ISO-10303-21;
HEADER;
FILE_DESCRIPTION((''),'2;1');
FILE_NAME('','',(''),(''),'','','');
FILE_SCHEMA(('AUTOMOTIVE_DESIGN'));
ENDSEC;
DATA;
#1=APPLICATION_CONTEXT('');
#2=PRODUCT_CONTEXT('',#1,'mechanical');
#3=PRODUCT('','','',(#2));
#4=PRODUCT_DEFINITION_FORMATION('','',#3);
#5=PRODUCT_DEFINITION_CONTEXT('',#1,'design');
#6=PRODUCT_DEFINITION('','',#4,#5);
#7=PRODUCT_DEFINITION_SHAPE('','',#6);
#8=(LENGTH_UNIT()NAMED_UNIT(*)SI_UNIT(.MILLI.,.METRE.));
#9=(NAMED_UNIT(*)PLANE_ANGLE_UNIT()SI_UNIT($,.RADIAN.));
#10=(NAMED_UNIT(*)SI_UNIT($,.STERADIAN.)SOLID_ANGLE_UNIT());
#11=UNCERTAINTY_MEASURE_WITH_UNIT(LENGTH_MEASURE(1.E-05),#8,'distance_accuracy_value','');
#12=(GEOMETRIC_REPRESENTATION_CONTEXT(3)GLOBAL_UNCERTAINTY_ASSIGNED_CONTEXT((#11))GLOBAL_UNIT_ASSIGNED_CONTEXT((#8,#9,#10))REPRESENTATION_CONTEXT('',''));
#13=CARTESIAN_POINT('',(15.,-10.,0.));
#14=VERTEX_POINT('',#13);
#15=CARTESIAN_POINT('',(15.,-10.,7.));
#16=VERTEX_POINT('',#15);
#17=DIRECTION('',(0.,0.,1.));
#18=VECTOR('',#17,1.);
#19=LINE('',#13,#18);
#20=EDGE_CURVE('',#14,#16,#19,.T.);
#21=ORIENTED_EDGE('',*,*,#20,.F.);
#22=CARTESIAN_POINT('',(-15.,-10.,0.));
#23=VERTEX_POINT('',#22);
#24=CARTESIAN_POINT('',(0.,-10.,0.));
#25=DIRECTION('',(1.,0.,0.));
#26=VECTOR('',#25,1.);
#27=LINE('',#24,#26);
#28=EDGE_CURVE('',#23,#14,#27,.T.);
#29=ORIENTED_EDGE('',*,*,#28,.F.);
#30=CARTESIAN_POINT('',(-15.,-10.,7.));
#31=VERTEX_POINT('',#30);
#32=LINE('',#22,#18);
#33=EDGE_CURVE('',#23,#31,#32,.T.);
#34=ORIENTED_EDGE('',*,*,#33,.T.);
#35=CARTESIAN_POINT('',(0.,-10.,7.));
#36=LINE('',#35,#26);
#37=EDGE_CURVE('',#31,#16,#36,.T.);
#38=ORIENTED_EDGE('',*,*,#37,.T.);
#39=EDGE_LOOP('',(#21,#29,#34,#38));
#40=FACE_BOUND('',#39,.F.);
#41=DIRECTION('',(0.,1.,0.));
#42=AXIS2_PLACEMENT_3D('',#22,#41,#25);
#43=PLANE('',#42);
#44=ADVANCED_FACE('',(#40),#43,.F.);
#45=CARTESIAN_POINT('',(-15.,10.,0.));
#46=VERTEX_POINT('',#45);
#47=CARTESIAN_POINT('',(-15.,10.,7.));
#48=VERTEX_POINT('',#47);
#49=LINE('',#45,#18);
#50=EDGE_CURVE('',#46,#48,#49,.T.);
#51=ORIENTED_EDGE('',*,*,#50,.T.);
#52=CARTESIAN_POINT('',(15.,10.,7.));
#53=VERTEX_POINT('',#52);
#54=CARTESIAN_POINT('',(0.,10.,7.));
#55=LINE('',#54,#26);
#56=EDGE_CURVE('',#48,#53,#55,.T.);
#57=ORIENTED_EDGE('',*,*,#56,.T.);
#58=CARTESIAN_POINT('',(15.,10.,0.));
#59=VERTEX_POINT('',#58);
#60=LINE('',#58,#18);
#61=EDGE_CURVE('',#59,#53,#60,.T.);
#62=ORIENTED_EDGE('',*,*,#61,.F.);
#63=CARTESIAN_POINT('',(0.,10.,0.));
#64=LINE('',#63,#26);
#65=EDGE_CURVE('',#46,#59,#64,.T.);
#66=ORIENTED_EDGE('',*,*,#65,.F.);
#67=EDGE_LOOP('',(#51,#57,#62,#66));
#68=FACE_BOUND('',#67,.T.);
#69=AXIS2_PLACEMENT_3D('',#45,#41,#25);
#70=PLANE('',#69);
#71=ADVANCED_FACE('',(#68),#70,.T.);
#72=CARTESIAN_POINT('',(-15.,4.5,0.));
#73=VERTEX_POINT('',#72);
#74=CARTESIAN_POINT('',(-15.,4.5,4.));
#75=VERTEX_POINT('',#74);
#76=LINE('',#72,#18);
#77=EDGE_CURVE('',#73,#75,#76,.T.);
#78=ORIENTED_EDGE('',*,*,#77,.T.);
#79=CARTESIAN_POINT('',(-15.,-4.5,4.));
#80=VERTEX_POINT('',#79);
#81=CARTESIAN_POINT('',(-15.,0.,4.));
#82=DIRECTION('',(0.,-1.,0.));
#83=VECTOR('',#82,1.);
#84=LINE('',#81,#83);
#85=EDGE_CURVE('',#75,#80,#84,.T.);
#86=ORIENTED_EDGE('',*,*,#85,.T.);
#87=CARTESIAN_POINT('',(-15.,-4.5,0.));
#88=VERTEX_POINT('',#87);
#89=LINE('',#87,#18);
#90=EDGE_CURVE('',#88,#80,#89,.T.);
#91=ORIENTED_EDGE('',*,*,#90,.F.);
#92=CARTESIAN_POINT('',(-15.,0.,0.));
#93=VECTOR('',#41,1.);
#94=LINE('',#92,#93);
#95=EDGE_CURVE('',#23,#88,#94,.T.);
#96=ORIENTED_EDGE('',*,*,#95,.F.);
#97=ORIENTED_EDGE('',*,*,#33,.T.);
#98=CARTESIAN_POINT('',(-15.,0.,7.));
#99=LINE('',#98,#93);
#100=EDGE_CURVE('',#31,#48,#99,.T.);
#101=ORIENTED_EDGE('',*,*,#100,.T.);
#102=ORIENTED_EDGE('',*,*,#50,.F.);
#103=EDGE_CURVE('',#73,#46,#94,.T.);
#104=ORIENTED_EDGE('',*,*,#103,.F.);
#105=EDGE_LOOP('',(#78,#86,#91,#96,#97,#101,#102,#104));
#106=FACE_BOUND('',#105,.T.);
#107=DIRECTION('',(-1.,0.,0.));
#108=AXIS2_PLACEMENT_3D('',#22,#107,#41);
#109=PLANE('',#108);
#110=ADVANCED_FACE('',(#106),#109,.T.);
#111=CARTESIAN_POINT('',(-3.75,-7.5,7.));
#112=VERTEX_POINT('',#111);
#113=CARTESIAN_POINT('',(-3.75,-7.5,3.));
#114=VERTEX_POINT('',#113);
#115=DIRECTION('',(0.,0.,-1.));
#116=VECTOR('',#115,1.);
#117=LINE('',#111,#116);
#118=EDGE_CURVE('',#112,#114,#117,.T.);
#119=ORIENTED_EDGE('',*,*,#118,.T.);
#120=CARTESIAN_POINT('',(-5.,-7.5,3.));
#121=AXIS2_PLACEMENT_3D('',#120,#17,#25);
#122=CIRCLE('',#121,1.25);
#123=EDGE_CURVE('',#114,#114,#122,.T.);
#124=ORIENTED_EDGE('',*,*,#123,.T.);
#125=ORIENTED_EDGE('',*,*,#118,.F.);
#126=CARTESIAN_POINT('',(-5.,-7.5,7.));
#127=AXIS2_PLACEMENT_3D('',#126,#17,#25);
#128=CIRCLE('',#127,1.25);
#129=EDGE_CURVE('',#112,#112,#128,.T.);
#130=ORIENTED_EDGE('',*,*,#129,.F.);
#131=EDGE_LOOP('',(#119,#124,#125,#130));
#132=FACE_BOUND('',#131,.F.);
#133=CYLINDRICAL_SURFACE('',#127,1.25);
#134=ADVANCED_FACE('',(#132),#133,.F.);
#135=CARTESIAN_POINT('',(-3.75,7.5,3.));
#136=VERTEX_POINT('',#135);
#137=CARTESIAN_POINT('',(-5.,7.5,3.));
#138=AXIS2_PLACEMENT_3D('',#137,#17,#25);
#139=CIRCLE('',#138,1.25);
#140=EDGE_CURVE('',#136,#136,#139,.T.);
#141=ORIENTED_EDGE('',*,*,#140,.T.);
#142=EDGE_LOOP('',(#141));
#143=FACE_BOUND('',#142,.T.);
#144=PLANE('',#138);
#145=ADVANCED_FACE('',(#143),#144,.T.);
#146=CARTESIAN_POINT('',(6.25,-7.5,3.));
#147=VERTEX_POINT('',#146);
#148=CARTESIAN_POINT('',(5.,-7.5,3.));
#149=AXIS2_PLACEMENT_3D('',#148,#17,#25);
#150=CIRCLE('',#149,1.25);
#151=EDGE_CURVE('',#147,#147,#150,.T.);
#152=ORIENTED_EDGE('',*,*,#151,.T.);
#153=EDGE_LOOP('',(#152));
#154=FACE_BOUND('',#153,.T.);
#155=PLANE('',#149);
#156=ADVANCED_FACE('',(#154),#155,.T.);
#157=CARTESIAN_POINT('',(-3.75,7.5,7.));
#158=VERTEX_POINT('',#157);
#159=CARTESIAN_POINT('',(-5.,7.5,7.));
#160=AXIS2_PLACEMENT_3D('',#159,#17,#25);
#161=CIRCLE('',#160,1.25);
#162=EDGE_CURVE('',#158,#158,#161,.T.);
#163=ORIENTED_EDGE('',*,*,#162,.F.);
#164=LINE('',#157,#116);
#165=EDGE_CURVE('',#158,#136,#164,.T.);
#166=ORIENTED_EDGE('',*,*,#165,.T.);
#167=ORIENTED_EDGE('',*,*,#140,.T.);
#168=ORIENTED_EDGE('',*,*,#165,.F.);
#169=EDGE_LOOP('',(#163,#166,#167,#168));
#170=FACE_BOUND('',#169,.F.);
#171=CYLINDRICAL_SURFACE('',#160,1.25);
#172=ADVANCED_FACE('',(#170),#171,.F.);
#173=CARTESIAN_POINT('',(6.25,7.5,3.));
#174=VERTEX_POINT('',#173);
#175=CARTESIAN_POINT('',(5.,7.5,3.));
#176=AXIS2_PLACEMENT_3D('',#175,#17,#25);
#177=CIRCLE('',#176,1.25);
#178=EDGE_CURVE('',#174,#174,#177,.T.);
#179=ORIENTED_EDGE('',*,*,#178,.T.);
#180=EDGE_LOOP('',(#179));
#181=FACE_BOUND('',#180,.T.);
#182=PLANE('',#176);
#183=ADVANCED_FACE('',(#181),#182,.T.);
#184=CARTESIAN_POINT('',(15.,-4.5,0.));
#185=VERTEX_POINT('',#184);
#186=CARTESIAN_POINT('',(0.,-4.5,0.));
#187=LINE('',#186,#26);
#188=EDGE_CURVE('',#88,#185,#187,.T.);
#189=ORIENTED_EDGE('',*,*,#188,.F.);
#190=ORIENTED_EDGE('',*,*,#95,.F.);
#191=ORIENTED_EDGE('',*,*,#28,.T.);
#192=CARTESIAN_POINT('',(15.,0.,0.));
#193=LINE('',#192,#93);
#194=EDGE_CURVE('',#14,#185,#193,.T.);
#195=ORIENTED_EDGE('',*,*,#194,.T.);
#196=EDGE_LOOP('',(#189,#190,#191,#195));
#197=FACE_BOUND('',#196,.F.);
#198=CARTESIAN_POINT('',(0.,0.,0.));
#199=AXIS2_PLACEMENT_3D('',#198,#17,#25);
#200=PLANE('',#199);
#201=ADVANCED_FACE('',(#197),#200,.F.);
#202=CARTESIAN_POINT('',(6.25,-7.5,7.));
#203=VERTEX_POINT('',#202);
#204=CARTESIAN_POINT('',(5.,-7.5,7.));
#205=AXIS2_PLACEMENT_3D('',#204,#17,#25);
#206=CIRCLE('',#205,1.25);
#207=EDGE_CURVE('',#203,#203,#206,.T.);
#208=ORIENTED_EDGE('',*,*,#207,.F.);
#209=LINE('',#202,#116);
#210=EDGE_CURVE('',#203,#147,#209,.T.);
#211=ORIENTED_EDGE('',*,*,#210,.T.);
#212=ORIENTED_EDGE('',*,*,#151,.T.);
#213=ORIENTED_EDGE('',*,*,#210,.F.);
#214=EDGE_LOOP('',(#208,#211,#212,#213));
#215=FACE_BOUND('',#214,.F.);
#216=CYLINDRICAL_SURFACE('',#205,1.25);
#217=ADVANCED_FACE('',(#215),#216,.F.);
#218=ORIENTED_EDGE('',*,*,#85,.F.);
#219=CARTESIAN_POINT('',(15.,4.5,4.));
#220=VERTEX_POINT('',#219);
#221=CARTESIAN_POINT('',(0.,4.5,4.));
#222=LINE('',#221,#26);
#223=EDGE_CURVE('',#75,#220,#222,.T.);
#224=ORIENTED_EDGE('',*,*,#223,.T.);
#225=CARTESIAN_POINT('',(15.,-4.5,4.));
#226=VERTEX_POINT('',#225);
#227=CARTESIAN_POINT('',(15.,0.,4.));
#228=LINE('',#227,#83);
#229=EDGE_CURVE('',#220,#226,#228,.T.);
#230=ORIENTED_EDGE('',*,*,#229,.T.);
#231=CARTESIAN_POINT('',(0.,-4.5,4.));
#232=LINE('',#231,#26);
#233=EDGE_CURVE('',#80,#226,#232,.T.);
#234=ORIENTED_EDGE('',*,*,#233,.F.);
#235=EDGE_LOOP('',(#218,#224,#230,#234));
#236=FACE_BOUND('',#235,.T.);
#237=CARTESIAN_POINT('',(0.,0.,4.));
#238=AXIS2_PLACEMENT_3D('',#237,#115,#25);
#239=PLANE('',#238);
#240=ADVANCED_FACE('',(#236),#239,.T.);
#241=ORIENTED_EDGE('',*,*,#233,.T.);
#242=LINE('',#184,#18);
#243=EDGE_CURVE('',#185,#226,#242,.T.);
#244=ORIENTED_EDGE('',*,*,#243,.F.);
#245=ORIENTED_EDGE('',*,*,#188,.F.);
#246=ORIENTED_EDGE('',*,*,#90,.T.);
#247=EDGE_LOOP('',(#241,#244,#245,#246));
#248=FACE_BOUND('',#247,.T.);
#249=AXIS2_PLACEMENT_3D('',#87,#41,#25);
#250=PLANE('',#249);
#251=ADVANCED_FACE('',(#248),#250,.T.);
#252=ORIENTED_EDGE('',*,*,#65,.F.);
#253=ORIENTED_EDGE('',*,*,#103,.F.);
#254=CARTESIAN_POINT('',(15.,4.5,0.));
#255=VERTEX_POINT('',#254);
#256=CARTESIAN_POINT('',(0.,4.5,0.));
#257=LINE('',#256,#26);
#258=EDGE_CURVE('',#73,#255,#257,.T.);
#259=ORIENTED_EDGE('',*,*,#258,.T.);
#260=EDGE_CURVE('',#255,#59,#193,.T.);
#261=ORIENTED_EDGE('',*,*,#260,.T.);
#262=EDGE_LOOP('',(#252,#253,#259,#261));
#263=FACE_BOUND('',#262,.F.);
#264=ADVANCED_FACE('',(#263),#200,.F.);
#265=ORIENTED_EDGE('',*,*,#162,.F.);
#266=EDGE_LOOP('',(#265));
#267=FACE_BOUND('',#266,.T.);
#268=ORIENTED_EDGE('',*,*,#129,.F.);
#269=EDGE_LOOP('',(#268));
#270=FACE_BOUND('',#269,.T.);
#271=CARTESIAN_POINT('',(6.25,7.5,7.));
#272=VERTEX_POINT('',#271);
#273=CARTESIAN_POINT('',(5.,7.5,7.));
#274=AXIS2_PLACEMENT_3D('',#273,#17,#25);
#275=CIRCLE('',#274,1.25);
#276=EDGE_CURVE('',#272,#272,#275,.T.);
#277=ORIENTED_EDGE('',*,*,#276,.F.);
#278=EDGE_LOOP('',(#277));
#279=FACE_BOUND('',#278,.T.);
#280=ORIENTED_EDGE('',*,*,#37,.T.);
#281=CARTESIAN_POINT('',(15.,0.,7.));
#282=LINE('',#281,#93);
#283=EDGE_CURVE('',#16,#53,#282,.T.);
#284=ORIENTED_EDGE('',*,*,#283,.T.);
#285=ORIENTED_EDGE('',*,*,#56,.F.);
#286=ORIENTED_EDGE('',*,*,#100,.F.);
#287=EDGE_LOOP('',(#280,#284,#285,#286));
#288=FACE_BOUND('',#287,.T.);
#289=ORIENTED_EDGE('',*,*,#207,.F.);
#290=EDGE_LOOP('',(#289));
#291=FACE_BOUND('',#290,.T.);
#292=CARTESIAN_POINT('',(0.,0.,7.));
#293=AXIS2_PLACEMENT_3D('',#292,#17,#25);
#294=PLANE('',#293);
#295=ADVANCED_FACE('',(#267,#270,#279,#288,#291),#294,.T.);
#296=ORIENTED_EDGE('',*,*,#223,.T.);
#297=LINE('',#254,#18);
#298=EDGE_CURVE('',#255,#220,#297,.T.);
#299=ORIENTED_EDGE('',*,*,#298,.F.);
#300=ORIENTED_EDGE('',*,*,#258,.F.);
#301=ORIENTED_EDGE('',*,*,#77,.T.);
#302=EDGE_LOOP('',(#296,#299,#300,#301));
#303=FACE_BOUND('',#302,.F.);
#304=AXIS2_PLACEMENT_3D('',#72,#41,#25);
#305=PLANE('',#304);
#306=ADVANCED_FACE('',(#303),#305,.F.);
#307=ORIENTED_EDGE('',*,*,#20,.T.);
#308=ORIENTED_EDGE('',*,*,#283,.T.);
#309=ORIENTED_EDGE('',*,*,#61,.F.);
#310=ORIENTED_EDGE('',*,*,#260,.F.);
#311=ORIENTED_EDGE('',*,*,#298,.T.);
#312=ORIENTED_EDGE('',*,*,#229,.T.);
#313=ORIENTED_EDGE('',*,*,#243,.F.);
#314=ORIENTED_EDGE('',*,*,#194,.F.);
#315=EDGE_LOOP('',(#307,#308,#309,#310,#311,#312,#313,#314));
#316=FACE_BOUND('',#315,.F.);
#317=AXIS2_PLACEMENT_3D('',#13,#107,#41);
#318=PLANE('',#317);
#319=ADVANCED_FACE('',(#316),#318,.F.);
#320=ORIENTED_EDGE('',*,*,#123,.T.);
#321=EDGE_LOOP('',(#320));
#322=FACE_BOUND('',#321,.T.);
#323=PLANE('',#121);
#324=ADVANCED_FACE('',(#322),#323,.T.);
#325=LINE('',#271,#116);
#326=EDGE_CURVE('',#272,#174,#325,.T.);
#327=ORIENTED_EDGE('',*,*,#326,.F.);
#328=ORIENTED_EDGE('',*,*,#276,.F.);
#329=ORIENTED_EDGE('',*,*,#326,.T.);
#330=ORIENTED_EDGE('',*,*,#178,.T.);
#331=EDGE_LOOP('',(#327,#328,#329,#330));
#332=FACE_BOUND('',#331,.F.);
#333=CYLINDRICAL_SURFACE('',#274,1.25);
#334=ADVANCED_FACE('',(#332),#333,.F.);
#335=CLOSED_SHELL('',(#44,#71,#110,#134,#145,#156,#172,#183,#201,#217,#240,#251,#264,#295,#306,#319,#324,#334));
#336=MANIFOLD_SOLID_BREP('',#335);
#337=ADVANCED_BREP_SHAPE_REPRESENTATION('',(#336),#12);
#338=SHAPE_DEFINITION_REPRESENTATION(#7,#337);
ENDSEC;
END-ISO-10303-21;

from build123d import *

# Parameters (mm, degrees)
F0_W     = 30
F0_H     = 20
F1_DEPTH = 7
F2_R     = 1.25
F3_DEPTH = 4
F4_W     = 30
F4_H     = 9
F5_DEPTH = 4


with BuildPart() as f1:
    # F0 (on Top) → F1 (new body)
    with BuildSketch(Plane.XY):
        Rectangle(F0_W, F0_H)
    extrude(amount=F1_DEPTH)

    # F2 (on face) → F3 (cut)
    with BuildSketch(Plane.XY.offset(7)):
        with Locations((5, 7.5)):
            Circle(F2_R)
        with Locations((-5, 7.5)):
            Circle(F2_R)
        with Locations((-5, -7.5)):
            Circle(F2_R)
        with Locations((5, -7.5)):
            Circle(F2_R)
    extrude(amount=-F3_DEPTH, mode=Mode.SUBTRACT)

    # F4 (on face) → F5 (cut)
    with BuildSketch(Plane(origin=(0, 0, 0), x_dir=(1, 0, 0), z_dir=(0, 0, -1))):
        Rectangle(F4_W, F4_H)
    extrude(amount=-F5_DEPTH, mode=Mode.SUBTRACT)


solid = f1.part
